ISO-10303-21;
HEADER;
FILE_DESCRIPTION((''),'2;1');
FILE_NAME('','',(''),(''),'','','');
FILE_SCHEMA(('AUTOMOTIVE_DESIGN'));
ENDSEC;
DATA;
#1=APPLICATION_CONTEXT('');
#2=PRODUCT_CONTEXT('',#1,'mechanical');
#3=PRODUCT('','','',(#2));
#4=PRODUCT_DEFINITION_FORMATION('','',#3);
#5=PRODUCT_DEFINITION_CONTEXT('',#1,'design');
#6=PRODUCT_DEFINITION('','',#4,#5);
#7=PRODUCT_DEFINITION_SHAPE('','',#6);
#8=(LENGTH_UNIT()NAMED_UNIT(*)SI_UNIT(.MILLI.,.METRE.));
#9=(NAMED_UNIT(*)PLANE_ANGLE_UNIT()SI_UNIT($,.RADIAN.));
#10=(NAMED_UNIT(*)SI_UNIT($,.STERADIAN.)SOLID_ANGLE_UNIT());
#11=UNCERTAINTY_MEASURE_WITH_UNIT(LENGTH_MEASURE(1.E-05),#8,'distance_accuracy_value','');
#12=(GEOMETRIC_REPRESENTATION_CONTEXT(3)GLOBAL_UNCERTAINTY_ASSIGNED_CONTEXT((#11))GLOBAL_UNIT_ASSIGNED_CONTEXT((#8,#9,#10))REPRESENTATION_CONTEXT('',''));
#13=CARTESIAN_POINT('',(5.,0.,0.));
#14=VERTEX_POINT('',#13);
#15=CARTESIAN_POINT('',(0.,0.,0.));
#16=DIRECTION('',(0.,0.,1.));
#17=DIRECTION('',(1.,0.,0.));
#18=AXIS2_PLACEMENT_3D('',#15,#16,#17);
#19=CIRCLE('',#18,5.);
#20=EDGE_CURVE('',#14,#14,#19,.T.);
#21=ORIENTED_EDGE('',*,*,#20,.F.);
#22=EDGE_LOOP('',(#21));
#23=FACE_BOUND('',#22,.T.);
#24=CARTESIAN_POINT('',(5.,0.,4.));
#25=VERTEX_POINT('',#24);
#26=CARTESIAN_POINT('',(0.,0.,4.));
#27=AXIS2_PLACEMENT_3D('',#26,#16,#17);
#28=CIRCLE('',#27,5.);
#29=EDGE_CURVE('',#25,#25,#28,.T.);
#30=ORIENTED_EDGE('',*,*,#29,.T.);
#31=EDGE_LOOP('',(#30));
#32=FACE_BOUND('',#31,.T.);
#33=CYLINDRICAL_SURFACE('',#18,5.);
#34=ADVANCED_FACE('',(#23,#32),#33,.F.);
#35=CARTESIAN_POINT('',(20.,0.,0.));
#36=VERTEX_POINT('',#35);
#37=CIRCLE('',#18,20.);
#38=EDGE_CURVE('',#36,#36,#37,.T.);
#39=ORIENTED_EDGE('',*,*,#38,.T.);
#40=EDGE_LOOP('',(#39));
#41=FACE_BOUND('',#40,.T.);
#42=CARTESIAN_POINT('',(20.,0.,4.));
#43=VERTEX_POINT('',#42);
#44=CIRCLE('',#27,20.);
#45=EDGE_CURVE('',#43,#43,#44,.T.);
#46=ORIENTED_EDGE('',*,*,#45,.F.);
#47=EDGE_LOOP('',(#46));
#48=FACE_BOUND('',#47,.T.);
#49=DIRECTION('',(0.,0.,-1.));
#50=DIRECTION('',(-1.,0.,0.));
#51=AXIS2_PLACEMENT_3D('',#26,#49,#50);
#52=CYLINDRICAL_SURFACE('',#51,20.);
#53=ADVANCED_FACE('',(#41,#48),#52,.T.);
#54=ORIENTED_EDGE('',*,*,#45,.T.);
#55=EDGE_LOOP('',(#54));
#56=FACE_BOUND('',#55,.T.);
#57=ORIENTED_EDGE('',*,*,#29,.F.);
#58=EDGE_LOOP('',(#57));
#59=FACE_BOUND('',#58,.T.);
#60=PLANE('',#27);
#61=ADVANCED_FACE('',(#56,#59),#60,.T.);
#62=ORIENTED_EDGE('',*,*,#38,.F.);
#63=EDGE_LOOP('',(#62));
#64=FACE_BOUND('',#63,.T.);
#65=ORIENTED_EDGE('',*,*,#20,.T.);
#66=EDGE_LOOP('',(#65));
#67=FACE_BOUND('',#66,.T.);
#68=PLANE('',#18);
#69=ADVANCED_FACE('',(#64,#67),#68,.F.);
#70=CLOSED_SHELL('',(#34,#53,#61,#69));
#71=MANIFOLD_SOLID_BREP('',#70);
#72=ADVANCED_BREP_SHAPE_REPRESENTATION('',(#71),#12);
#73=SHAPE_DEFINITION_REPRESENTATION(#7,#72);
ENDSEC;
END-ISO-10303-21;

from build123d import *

# Parameters (mm, degrees)
SKETCH1_R           = 20
BOSS_EXTRUDE1_DEPTH = 4
SKETCH2_R           = 5
CUT_EXTRUDE1_DEPTH  = 4


with BuildPart() as part:
    # Sketch1 → Boss-Extrude1 (new body)
    with BuildSketch(Plane.XY):
        Circle(SKETCH1_R)
    extrude(amount=BOSS_EXTRUDE1_DEPTH)

    # Sketch2 → Cut-Extrude1 (cut)
    with BuildSketch(Plane.XY.offset(4)):
        Circle(SKETCH2_R)
    extrude(amount=-CUT_EXTRUDE1_DEPTH, mode=Mode.SUBTRACT)


solid = part.part
